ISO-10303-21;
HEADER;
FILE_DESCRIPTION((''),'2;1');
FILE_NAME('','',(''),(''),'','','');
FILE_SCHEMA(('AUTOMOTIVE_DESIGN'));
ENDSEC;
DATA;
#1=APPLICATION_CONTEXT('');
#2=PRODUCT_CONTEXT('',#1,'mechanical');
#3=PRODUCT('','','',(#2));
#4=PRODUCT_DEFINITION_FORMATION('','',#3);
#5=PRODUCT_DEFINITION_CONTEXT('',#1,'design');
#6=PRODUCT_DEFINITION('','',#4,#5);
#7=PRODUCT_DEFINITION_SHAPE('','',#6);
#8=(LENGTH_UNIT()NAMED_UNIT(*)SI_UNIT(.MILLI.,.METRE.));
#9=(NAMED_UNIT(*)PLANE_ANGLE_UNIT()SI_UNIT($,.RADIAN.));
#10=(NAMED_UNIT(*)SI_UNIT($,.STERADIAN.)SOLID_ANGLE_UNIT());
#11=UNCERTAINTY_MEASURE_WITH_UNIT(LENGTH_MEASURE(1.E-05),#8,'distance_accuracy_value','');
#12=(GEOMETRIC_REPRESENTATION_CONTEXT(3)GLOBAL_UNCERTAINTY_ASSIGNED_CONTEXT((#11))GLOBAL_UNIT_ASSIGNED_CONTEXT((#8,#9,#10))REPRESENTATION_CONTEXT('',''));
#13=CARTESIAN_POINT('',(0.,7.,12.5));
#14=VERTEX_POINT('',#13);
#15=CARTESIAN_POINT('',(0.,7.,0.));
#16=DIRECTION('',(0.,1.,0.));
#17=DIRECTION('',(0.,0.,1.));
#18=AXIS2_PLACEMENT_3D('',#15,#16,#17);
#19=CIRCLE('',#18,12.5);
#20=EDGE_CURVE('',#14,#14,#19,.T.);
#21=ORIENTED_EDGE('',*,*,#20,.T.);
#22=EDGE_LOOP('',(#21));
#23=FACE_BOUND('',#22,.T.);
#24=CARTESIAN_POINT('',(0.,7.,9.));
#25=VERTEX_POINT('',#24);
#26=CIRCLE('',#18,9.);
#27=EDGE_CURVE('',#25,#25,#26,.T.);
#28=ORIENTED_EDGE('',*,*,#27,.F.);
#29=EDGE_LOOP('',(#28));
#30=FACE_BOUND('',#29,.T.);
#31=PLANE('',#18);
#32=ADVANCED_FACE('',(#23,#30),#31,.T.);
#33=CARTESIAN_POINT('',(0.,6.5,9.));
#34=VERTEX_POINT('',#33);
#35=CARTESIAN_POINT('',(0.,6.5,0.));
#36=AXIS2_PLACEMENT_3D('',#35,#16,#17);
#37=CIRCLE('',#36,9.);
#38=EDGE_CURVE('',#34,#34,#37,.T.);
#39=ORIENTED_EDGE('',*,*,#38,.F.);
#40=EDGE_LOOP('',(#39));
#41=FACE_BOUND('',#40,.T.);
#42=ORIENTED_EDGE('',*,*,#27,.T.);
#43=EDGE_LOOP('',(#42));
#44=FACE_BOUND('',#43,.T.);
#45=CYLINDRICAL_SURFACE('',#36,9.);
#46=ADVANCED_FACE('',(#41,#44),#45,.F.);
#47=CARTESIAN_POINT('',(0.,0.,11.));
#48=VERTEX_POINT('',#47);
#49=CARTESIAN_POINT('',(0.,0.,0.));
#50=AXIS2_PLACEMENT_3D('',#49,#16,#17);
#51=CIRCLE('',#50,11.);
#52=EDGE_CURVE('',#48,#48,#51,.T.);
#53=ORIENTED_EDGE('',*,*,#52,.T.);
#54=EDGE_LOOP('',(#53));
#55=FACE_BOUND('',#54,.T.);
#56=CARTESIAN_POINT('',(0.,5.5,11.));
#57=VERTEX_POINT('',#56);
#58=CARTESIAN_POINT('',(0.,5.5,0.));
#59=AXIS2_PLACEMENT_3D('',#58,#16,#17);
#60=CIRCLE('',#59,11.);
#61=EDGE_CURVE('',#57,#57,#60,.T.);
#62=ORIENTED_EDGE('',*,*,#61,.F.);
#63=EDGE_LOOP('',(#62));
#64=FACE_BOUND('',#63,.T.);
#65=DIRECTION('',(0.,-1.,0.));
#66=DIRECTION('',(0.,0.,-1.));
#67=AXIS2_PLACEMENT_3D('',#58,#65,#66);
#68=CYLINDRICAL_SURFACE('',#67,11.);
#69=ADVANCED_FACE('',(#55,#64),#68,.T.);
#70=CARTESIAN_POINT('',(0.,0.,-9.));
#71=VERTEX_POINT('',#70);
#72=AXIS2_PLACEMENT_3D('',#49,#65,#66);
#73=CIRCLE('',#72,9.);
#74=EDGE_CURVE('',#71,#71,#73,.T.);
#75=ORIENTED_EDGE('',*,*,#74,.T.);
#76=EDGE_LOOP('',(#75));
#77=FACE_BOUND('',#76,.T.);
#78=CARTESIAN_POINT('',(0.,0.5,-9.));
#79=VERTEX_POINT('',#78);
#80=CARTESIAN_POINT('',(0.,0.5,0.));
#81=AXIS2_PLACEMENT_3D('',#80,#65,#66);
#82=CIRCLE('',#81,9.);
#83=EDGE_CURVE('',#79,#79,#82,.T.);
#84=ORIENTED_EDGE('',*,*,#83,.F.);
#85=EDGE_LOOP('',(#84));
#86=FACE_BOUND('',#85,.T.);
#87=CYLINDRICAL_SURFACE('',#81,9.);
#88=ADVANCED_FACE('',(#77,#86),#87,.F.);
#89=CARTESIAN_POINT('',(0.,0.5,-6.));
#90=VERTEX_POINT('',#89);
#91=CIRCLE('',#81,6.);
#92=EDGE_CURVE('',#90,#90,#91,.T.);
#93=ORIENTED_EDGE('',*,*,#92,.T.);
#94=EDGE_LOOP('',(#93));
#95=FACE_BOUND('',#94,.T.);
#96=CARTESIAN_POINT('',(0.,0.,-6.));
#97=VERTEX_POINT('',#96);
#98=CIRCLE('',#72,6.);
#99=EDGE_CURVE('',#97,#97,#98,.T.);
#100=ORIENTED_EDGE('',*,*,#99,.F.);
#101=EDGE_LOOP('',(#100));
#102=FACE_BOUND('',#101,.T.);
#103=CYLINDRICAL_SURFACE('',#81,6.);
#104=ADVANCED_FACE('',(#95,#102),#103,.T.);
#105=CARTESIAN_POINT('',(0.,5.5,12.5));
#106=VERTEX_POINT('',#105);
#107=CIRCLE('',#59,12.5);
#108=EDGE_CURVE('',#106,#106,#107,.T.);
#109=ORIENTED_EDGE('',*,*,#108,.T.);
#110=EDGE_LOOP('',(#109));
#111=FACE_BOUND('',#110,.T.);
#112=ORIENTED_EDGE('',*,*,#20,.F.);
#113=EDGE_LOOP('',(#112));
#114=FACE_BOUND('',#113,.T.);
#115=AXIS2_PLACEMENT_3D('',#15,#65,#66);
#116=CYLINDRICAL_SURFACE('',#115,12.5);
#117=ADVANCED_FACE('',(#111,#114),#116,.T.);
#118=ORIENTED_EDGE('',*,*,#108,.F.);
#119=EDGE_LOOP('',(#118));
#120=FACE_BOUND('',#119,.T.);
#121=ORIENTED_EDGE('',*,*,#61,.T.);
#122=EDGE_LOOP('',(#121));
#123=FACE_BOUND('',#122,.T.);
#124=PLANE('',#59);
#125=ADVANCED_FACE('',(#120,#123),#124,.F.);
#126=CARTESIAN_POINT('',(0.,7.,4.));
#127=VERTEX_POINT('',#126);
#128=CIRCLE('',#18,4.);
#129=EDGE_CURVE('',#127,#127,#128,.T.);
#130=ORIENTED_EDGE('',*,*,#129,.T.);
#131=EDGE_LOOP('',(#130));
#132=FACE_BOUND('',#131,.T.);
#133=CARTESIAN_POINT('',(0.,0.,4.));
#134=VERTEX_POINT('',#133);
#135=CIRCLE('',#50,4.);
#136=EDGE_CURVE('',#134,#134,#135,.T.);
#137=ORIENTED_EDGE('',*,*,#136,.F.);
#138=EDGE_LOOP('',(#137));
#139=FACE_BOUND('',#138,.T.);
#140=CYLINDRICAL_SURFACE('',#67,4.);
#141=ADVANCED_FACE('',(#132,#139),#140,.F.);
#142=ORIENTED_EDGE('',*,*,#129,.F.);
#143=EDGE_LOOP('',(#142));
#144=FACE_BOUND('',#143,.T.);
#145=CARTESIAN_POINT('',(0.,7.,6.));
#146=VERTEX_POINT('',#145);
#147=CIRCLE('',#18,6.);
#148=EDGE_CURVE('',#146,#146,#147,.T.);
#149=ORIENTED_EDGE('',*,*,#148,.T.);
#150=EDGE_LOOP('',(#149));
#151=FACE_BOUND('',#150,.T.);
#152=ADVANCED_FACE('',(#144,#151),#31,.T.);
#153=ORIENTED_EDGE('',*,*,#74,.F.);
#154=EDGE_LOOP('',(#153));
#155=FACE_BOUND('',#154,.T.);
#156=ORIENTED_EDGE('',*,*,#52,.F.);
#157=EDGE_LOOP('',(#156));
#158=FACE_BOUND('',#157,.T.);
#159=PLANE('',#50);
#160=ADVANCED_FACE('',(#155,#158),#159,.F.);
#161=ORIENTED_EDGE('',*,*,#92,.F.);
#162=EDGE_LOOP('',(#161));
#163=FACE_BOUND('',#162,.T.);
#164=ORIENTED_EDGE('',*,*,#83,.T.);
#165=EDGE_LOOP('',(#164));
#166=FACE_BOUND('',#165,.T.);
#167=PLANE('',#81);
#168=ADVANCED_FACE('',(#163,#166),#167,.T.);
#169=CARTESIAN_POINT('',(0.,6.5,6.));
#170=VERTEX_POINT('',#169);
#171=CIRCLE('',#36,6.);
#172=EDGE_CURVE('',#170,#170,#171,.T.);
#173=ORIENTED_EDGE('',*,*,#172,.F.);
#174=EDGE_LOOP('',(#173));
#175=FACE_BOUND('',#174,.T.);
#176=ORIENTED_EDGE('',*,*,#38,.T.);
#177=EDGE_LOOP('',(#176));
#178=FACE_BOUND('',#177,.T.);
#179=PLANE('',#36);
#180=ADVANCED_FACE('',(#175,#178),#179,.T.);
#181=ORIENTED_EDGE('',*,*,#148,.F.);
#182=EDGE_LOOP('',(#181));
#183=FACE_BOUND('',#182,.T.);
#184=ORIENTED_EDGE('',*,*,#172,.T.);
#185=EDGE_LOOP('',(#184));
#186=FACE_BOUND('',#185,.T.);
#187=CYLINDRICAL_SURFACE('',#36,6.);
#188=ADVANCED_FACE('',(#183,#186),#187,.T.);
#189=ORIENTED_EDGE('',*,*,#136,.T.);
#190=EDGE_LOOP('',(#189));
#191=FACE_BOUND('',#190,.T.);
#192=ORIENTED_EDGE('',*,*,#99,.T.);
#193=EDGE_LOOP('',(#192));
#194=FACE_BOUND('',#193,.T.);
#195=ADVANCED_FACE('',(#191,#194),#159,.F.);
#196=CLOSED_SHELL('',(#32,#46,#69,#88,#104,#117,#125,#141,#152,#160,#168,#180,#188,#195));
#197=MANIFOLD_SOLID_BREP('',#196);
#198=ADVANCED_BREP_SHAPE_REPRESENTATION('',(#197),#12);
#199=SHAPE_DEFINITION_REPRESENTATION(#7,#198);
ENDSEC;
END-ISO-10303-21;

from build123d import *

# Parameters (mm, degrees)
SKETCH1_R           = 11
SKETCH1_R_2         = 4
BOSS_EXTRUDE1_DEPTH = 5.5
SKETCH2_R           = 12.5
SKETCH2_R_2         = 4
BOSS_EXTRUDE2_DEPTH = 1.5
SKETCH3_R           = 9
SKETCH3_R_2         = 6
CUT_EXTRUDE1_DEPTH  = 0.5
CUT_EXTRUDE2_START  = -0.5
SKETCH4_R           = 9
SKETCH4_R_2         = 6
CUT_EXTRUDE2_DEPTH  = 0.5


with BuildPart() as part:
    # Sketch1 → Boss-Extrude1 (new body)
    with BuildSketch(Plane(origin=(0, 0, 0), x_dir=(1, 0, 0), z_dir=(0, 1, 0))):
        with Locations(Location((0, 0, 0), (0, 0, 270))):
            Circle(SKETCH1_R)
        with Locations(Location((0, 0, 0), (0, 0, 270))):
            Circle(SKETCH1_R_2, mode=Mode.SUBTRACT)
    extrude(amount=BOSS_EXTRUDE1_DEPTH)

    # Sketch2 → Boss-Extrude2 (add)
    with BuildSketch(Plane(origin=(0, 5.5, 0), x_dir=(1, 0, 0), z_dir=(0, 1, 0))):
        with Locations(Location((0, 0, 0), (0, 0, 270))):
            Circle(SKETCH2_R)
        with Locations(Location((0, 0, 0), (0, 0, 270))):
            Circle(SKETCH2_R_2, mode=Mode.SUBTRACT)
    extrude(amount=BOSS_EXTRUDE2_DEPTH)

    # Sketch3 → Cut-Extrude1 (cut)
    with BuildSketch(Plane(origin=(0, 7, 0), x_dir=(1, 0, 0), z_dir=(0, 1, 0))):
        with Locations(Location((0, 0, 0), (0, 0, 270))):
            Circle(SKETCH3_R)
        with Locations(Location((0, 0, 0), (0, 0, 270))):
            Circle(SKETCH3_R_2, mode=Mode.SUBTRACT)
    extrude(amount=-CUT_EXTRUDE1_DEPTH, mode=Mode.SUBTRACT)

    # Sketch4 → Cut-Extrude2 (cut)
    with BuildSketch(Plane.XZ.offset(CUT_EXTRUDE2_START)):
        with Locations(Location((0, 0, 0), (0, 0, 90))):
            Circle(SKETCH4_R)
        with Locations(Location((0, 0, 0), (0, 0, 90))):
            Circle(SKETCH4_R_2, mode=Mode.SUBTRACT)
    extrude(amount=CUT_EXTRUDE2_DEPTH, mode=Mode.SUBTRACT)


solid = part.part
